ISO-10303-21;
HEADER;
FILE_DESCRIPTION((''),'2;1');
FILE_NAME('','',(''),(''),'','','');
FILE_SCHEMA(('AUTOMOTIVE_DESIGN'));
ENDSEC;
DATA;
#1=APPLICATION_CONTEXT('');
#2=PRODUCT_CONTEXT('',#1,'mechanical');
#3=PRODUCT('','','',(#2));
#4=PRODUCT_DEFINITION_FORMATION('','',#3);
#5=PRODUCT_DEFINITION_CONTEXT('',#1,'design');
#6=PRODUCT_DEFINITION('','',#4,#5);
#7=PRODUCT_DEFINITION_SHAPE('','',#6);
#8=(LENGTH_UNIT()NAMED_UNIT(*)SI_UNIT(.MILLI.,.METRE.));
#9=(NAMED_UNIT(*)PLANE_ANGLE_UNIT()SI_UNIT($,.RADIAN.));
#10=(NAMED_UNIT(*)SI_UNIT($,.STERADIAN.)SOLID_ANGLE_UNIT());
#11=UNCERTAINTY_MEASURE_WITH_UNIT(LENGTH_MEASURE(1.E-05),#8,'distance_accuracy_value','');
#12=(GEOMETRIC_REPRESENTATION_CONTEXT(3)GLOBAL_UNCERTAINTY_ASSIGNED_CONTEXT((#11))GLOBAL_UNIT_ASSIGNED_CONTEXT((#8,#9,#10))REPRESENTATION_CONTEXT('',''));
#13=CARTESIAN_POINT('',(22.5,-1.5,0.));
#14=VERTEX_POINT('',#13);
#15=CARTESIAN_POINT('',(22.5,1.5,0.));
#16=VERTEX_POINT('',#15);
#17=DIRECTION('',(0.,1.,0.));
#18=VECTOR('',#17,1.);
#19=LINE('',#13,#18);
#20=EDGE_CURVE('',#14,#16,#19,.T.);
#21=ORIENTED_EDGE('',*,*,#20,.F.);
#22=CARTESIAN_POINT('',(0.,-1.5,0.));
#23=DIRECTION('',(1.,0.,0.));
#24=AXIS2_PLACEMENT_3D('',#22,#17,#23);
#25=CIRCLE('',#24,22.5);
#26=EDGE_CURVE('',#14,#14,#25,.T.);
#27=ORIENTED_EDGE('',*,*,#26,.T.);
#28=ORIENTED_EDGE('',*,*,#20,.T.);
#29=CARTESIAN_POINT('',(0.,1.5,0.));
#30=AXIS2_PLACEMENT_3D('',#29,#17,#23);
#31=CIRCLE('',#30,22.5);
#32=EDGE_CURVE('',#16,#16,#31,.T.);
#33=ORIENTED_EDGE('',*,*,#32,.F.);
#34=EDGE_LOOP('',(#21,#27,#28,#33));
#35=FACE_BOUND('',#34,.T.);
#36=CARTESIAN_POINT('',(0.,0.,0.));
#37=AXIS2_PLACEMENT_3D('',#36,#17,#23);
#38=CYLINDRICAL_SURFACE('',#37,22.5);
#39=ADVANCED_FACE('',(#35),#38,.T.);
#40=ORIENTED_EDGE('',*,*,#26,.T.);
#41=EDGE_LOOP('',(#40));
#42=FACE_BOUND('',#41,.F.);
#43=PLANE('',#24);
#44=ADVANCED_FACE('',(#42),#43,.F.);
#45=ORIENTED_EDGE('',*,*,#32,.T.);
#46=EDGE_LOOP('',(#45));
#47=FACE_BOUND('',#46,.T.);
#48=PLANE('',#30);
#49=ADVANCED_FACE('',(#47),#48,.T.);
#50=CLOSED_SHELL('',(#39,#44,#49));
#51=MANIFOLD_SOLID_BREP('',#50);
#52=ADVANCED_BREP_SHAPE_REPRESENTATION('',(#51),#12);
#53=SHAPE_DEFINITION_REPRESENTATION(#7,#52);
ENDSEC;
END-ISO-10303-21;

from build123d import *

# Parameters (mm, degrees)
ESQUISSE1_R        = 22.5
BOSS_EXTRU_1_DEPTH = 1.5


with BuildPart() as part:
    # Esquisse1 → Boss.-Extru.1 (new body, symmetric)
    with BuildSketch(Plane(origin=(0, 0, 0), x_dir=(1, 0, 0), z_dir=(0, 1, 0))):
        Circle(ESQUISSE1_R)
    extrude(amount=BOSS_EXTRU_1_DEPTH, both=True)


solid = part.part
